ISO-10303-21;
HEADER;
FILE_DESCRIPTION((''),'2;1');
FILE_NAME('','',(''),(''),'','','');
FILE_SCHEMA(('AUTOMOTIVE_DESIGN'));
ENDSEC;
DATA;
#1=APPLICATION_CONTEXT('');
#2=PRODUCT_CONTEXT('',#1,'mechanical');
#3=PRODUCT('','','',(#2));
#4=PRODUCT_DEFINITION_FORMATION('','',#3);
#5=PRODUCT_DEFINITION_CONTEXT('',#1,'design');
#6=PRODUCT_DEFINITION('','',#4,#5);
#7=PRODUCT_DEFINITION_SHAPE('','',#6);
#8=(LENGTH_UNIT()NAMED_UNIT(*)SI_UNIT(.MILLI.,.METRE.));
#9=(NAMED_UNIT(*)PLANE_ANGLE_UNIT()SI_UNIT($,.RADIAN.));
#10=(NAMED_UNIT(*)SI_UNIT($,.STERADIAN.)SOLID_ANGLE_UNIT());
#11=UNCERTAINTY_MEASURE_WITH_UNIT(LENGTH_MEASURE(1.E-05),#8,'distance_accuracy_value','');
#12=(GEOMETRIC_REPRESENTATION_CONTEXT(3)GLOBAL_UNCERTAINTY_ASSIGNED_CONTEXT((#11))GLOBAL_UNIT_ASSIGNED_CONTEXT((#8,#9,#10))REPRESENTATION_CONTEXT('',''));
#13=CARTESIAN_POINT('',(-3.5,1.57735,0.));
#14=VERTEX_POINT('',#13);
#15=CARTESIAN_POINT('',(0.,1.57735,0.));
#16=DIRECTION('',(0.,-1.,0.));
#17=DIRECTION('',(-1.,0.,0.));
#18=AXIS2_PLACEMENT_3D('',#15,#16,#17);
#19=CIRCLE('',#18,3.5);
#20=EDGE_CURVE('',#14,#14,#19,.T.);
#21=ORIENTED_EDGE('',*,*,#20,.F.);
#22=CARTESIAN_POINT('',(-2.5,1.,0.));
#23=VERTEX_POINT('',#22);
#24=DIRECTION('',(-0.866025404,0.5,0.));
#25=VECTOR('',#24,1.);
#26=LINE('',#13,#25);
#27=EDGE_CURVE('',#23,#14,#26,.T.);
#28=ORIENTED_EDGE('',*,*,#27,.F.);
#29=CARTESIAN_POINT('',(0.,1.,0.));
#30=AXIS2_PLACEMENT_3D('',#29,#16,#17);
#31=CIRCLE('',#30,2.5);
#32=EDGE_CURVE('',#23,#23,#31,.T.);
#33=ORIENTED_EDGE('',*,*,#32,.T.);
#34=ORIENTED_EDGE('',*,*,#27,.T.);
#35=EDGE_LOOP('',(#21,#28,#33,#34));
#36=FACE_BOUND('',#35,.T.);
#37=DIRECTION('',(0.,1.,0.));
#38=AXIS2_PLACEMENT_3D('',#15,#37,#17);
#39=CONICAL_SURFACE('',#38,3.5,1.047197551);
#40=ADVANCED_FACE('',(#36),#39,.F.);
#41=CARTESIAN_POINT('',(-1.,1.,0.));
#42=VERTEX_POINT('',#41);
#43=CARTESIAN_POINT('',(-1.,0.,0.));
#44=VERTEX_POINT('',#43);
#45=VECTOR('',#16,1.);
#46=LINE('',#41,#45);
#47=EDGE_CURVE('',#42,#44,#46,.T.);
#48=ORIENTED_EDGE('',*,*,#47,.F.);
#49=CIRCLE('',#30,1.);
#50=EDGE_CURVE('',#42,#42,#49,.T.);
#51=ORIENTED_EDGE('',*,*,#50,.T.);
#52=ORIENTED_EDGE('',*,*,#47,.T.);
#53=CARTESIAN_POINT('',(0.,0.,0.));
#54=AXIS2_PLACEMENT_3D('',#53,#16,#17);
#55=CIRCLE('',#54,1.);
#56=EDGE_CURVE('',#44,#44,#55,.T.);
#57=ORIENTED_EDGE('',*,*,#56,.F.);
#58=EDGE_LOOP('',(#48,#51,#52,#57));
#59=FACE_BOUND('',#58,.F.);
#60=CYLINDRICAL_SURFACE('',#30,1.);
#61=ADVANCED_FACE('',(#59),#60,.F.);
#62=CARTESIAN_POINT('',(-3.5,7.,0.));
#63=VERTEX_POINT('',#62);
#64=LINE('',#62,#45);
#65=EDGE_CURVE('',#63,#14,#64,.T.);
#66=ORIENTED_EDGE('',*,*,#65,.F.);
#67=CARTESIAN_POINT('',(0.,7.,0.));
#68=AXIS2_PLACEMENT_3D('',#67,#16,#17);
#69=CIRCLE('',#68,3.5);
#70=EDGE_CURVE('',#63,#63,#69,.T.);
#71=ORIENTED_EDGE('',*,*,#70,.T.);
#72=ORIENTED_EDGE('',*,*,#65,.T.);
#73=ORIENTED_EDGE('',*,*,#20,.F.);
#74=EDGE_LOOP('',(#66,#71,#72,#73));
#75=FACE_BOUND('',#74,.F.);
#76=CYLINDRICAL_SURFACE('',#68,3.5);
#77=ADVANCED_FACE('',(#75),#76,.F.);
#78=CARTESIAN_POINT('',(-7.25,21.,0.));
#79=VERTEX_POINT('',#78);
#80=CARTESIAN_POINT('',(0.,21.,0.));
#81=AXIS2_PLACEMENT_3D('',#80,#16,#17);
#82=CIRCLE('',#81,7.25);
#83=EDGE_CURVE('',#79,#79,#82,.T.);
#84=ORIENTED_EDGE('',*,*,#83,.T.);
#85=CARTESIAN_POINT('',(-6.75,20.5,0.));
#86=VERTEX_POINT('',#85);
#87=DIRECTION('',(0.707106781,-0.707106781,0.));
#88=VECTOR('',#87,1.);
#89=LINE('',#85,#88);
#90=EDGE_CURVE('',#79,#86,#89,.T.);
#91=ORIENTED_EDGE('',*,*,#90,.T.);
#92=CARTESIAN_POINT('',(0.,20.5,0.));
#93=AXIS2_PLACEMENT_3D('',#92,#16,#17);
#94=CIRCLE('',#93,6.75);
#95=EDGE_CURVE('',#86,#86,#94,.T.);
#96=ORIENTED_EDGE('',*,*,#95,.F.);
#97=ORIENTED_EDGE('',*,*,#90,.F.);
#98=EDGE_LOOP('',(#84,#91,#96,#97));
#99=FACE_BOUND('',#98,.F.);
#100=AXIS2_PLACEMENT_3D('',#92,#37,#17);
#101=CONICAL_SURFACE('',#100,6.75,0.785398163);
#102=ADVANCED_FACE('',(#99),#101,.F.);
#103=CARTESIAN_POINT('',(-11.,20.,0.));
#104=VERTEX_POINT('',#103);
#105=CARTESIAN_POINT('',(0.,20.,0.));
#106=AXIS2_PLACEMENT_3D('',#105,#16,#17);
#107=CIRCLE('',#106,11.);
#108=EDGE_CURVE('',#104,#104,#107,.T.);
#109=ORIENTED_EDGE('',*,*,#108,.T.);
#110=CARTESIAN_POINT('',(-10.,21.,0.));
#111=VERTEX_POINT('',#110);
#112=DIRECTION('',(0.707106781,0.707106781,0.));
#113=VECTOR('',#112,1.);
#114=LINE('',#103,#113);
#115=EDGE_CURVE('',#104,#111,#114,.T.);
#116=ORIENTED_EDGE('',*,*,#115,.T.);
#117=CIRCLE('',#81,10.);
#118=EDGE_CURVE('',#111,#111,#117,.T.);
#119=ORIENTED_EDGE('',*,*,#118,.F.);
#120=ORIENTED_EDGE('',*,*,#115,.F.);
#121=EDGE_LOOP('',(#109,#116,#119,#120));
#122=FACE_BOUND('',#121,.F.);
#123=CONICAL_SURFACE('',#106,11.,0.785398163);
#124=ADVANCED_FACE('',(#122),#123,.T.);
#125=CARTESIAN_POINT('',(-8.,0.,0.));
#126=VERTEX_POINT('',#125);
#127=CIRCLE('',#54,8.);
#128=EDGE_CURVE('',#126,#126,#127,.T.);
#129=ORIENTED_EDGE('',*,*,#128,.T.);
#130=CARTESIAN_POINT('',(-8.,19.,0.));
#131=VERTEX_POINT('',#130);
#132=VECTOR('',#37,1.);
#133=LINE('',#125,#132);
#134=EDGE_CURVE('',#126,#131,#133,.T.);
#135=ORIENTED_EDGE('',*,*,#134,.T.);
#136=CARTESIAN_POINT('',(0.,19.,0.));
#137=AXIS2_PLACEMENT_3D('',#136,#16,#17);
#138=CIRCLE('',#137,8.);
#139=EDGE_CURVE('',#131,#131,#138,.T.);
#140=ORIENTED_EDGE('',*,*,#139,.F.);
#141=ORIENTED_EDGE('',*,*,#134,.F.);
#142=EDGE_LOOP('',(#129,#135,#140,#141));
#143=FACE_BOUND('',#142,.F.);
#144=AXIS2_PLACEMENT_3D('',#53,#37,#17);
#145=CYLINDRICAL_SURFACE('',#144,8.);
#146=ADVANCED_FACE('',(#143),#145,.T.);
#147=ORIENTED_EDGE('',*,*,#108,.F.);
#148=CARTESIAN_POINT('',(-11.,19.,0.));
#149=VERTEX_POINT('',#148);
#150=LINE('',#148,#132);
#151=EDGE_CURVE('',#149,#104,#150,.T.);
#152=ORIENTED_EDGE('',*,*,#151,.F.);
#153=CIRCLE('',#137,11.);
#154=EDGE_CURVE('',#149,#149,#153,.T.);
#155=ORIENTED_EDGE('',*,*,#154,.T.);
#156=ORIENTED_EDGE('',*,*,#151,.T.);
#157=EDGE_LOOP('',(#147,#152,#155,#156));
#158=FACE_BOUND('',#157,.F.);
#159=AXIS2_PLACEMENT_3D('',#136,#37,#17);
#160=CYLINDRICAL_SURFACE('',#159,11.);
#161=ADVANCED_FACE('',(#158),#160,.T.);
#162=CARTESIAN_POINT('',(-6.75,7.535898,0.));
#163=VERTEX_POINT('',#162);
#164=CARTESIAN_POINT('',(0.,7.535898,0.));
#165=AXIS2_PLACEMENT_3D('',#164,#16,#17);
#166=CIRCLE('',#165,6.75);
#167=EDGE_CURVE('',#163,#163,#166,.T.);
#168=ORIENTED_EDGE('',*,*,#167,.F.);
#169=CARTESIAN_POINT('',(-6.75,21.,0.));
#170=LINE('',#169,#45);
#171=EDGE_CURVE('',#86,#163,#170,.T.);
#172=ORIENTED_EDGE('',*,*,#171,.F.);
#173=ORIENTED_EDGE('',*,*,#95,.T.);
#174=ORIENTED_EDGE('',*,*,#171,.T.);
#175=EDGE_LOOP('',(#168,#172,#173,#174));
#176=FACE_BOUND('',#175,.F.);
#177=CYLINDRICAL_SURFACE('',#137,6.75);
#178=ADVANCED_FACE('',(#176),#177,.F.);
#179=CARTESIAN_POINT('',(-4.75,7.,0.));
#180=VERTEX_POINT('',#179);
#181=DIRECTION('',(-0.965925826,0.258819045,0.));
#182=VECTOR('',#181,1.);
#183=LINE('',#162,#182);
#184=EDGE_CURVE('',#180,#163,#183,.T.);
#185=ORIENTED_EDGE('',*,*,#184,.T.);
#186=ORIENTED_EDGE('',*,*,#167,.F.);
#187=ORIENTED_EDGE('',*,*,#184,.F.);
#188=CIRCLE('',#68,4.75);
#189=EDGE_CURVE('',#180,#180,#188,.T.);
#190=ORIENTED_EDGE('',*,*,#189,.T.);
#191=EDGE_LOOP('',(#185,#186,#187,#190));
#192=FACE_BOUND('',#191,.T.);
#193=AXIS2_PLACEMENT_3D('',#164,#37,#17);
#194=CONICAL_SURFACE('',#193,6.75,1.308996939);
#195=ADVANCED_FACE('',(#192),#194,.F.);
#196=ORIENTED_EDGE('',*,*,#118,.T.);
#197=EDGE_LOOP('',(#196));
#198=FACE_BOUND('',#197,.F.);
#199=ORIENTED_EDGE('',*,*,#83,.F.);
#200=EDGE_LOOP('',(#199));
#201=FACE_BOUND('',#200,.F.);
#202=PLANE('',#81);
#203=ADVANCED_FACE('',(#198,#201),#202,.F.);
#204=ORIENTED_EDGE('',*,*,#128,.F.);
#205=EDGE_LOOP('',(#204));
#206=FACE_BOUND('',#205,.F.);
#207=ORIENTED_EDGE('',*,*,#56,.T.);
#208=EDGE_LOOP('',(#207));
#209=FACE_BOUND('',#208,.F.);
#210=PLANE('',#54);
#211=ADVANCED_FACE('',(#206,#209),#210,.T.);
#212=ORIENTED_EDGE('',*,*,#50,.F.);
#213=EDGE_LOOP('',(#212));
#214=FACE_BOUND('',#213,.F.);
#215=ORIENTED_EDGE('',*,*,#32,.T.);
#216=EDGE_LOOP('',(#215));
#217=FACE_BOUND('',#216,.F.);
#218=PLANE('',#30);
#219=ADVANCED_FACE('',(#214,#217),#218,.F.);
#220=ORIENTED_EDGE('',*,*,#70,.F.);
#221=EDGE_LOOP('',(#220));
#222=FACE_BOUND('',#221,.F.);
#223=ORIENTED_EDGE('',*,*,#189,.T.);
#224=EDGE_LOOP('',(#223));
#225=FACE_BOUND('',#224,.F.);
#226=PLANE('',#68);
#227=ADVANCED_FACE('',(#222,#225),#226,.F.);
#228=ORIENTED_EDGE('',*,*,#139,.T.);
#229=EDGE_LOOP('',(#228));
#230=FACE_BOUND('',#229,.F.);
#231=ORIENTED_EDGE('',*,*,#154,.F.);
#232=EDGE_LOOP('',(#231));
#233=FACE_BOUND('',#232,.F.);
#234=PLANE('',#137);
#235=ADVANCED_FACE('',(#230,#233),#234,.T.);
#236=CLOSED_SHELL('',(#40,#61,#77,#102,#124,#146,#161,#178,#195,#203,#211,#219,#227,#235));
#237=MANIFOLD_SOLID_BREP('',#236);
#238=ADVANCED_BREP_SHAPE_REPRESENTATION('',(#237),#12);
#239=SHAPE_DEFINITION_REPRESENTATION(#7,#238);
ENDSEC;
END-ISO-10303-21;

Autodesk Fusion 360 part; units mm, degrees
sketch "Sketch1" plane through (0, 0, 0) normal (0, 0, 1) x (1, 0, 0)
  line L0 (0, 0) -> (-8, 0)
  line L1 (-8, 0) -> (-8, 19)
  line L2 (-8, 19) -> (0, 19)
  line L3 (0, 19) -> (0, 0)
  line L4 (0, 19) -> (-6.75, 19)
  line L5 (-6.75, 19) -> (-6.75, 7)
  line L6 (-6.75, 7) -> (0, 7)
  line L7 (0, 7) -> (0, 19)
  line L8 (0, 7) -> (-3.5, 7)
  line L9 (-3.5, 7) -> (-3.5, 1)
  line L10 (-3.5, 1) -> (0, 1)
  line L11 (0, 1) -> (0, 7)
  line L12 (0, 19) -> (-11, 19)
  line L13 (-11, 19) -> (-11, 21)
  line L14 (-11, 21) -> (0, 21)
  line L15 (0, 21) -> (0, 19)
  line L16 (-6.75, 19) -> (-6.75, 21)
  line L17 (0, 1) -> (-1, 1)
  line L18 (-1, 1) -> (-1, 0)
  line L19 (-1, 0) -> (0, 0)
  line L20 (0, 0) -> (0, 1)
  dimension "d1" = 19
  dimension "d2" = 8
  dimension "d7" = 12
  dimension "d8" = 6.75
  dimension "d9" = 6
  dimension "d10" = 3.5
  dimension "d11" = 11
  dimension "d12" = 2
revolve "Revolve1" add sketch "Sketch1" angle 360 about axis through (0, 19, 0) along (0, -1, 0) contours L0 L1 L2 L5 L6 L9 L10 L12 L18 | L2 L12 L13 L14 L16
chamfer "Chamfer1" distance 1 angle 45 1 edges at (-10.2556, 21, 3.9778)
chamfer "Chamfer2" distance 0.5 angle 45 1 edges at (-6.2932, 21, 2.4409)
chamfer "Chamfer3" distance 2 angle 15 1 edges at (-6.2932, 7, 2.4409) measured on face at (-5.6285, 7, 0.5092)
chamfer "Chamfer4" distance 1 angle 30 1 edges at (-3.2631, 1, 1.2657) measured on face at (-2.6499, 1, 0.2236)
equation "d2 = Width / 2"
equation "Height = 19 mm"
equation "Width = 16 mm"
equation "LargeShank = 13.5 mm"
equation "SmallShank = 7 mm"
equation "d8 = LargeShank / 2"
equation "d10 = SmallShank / 2"
